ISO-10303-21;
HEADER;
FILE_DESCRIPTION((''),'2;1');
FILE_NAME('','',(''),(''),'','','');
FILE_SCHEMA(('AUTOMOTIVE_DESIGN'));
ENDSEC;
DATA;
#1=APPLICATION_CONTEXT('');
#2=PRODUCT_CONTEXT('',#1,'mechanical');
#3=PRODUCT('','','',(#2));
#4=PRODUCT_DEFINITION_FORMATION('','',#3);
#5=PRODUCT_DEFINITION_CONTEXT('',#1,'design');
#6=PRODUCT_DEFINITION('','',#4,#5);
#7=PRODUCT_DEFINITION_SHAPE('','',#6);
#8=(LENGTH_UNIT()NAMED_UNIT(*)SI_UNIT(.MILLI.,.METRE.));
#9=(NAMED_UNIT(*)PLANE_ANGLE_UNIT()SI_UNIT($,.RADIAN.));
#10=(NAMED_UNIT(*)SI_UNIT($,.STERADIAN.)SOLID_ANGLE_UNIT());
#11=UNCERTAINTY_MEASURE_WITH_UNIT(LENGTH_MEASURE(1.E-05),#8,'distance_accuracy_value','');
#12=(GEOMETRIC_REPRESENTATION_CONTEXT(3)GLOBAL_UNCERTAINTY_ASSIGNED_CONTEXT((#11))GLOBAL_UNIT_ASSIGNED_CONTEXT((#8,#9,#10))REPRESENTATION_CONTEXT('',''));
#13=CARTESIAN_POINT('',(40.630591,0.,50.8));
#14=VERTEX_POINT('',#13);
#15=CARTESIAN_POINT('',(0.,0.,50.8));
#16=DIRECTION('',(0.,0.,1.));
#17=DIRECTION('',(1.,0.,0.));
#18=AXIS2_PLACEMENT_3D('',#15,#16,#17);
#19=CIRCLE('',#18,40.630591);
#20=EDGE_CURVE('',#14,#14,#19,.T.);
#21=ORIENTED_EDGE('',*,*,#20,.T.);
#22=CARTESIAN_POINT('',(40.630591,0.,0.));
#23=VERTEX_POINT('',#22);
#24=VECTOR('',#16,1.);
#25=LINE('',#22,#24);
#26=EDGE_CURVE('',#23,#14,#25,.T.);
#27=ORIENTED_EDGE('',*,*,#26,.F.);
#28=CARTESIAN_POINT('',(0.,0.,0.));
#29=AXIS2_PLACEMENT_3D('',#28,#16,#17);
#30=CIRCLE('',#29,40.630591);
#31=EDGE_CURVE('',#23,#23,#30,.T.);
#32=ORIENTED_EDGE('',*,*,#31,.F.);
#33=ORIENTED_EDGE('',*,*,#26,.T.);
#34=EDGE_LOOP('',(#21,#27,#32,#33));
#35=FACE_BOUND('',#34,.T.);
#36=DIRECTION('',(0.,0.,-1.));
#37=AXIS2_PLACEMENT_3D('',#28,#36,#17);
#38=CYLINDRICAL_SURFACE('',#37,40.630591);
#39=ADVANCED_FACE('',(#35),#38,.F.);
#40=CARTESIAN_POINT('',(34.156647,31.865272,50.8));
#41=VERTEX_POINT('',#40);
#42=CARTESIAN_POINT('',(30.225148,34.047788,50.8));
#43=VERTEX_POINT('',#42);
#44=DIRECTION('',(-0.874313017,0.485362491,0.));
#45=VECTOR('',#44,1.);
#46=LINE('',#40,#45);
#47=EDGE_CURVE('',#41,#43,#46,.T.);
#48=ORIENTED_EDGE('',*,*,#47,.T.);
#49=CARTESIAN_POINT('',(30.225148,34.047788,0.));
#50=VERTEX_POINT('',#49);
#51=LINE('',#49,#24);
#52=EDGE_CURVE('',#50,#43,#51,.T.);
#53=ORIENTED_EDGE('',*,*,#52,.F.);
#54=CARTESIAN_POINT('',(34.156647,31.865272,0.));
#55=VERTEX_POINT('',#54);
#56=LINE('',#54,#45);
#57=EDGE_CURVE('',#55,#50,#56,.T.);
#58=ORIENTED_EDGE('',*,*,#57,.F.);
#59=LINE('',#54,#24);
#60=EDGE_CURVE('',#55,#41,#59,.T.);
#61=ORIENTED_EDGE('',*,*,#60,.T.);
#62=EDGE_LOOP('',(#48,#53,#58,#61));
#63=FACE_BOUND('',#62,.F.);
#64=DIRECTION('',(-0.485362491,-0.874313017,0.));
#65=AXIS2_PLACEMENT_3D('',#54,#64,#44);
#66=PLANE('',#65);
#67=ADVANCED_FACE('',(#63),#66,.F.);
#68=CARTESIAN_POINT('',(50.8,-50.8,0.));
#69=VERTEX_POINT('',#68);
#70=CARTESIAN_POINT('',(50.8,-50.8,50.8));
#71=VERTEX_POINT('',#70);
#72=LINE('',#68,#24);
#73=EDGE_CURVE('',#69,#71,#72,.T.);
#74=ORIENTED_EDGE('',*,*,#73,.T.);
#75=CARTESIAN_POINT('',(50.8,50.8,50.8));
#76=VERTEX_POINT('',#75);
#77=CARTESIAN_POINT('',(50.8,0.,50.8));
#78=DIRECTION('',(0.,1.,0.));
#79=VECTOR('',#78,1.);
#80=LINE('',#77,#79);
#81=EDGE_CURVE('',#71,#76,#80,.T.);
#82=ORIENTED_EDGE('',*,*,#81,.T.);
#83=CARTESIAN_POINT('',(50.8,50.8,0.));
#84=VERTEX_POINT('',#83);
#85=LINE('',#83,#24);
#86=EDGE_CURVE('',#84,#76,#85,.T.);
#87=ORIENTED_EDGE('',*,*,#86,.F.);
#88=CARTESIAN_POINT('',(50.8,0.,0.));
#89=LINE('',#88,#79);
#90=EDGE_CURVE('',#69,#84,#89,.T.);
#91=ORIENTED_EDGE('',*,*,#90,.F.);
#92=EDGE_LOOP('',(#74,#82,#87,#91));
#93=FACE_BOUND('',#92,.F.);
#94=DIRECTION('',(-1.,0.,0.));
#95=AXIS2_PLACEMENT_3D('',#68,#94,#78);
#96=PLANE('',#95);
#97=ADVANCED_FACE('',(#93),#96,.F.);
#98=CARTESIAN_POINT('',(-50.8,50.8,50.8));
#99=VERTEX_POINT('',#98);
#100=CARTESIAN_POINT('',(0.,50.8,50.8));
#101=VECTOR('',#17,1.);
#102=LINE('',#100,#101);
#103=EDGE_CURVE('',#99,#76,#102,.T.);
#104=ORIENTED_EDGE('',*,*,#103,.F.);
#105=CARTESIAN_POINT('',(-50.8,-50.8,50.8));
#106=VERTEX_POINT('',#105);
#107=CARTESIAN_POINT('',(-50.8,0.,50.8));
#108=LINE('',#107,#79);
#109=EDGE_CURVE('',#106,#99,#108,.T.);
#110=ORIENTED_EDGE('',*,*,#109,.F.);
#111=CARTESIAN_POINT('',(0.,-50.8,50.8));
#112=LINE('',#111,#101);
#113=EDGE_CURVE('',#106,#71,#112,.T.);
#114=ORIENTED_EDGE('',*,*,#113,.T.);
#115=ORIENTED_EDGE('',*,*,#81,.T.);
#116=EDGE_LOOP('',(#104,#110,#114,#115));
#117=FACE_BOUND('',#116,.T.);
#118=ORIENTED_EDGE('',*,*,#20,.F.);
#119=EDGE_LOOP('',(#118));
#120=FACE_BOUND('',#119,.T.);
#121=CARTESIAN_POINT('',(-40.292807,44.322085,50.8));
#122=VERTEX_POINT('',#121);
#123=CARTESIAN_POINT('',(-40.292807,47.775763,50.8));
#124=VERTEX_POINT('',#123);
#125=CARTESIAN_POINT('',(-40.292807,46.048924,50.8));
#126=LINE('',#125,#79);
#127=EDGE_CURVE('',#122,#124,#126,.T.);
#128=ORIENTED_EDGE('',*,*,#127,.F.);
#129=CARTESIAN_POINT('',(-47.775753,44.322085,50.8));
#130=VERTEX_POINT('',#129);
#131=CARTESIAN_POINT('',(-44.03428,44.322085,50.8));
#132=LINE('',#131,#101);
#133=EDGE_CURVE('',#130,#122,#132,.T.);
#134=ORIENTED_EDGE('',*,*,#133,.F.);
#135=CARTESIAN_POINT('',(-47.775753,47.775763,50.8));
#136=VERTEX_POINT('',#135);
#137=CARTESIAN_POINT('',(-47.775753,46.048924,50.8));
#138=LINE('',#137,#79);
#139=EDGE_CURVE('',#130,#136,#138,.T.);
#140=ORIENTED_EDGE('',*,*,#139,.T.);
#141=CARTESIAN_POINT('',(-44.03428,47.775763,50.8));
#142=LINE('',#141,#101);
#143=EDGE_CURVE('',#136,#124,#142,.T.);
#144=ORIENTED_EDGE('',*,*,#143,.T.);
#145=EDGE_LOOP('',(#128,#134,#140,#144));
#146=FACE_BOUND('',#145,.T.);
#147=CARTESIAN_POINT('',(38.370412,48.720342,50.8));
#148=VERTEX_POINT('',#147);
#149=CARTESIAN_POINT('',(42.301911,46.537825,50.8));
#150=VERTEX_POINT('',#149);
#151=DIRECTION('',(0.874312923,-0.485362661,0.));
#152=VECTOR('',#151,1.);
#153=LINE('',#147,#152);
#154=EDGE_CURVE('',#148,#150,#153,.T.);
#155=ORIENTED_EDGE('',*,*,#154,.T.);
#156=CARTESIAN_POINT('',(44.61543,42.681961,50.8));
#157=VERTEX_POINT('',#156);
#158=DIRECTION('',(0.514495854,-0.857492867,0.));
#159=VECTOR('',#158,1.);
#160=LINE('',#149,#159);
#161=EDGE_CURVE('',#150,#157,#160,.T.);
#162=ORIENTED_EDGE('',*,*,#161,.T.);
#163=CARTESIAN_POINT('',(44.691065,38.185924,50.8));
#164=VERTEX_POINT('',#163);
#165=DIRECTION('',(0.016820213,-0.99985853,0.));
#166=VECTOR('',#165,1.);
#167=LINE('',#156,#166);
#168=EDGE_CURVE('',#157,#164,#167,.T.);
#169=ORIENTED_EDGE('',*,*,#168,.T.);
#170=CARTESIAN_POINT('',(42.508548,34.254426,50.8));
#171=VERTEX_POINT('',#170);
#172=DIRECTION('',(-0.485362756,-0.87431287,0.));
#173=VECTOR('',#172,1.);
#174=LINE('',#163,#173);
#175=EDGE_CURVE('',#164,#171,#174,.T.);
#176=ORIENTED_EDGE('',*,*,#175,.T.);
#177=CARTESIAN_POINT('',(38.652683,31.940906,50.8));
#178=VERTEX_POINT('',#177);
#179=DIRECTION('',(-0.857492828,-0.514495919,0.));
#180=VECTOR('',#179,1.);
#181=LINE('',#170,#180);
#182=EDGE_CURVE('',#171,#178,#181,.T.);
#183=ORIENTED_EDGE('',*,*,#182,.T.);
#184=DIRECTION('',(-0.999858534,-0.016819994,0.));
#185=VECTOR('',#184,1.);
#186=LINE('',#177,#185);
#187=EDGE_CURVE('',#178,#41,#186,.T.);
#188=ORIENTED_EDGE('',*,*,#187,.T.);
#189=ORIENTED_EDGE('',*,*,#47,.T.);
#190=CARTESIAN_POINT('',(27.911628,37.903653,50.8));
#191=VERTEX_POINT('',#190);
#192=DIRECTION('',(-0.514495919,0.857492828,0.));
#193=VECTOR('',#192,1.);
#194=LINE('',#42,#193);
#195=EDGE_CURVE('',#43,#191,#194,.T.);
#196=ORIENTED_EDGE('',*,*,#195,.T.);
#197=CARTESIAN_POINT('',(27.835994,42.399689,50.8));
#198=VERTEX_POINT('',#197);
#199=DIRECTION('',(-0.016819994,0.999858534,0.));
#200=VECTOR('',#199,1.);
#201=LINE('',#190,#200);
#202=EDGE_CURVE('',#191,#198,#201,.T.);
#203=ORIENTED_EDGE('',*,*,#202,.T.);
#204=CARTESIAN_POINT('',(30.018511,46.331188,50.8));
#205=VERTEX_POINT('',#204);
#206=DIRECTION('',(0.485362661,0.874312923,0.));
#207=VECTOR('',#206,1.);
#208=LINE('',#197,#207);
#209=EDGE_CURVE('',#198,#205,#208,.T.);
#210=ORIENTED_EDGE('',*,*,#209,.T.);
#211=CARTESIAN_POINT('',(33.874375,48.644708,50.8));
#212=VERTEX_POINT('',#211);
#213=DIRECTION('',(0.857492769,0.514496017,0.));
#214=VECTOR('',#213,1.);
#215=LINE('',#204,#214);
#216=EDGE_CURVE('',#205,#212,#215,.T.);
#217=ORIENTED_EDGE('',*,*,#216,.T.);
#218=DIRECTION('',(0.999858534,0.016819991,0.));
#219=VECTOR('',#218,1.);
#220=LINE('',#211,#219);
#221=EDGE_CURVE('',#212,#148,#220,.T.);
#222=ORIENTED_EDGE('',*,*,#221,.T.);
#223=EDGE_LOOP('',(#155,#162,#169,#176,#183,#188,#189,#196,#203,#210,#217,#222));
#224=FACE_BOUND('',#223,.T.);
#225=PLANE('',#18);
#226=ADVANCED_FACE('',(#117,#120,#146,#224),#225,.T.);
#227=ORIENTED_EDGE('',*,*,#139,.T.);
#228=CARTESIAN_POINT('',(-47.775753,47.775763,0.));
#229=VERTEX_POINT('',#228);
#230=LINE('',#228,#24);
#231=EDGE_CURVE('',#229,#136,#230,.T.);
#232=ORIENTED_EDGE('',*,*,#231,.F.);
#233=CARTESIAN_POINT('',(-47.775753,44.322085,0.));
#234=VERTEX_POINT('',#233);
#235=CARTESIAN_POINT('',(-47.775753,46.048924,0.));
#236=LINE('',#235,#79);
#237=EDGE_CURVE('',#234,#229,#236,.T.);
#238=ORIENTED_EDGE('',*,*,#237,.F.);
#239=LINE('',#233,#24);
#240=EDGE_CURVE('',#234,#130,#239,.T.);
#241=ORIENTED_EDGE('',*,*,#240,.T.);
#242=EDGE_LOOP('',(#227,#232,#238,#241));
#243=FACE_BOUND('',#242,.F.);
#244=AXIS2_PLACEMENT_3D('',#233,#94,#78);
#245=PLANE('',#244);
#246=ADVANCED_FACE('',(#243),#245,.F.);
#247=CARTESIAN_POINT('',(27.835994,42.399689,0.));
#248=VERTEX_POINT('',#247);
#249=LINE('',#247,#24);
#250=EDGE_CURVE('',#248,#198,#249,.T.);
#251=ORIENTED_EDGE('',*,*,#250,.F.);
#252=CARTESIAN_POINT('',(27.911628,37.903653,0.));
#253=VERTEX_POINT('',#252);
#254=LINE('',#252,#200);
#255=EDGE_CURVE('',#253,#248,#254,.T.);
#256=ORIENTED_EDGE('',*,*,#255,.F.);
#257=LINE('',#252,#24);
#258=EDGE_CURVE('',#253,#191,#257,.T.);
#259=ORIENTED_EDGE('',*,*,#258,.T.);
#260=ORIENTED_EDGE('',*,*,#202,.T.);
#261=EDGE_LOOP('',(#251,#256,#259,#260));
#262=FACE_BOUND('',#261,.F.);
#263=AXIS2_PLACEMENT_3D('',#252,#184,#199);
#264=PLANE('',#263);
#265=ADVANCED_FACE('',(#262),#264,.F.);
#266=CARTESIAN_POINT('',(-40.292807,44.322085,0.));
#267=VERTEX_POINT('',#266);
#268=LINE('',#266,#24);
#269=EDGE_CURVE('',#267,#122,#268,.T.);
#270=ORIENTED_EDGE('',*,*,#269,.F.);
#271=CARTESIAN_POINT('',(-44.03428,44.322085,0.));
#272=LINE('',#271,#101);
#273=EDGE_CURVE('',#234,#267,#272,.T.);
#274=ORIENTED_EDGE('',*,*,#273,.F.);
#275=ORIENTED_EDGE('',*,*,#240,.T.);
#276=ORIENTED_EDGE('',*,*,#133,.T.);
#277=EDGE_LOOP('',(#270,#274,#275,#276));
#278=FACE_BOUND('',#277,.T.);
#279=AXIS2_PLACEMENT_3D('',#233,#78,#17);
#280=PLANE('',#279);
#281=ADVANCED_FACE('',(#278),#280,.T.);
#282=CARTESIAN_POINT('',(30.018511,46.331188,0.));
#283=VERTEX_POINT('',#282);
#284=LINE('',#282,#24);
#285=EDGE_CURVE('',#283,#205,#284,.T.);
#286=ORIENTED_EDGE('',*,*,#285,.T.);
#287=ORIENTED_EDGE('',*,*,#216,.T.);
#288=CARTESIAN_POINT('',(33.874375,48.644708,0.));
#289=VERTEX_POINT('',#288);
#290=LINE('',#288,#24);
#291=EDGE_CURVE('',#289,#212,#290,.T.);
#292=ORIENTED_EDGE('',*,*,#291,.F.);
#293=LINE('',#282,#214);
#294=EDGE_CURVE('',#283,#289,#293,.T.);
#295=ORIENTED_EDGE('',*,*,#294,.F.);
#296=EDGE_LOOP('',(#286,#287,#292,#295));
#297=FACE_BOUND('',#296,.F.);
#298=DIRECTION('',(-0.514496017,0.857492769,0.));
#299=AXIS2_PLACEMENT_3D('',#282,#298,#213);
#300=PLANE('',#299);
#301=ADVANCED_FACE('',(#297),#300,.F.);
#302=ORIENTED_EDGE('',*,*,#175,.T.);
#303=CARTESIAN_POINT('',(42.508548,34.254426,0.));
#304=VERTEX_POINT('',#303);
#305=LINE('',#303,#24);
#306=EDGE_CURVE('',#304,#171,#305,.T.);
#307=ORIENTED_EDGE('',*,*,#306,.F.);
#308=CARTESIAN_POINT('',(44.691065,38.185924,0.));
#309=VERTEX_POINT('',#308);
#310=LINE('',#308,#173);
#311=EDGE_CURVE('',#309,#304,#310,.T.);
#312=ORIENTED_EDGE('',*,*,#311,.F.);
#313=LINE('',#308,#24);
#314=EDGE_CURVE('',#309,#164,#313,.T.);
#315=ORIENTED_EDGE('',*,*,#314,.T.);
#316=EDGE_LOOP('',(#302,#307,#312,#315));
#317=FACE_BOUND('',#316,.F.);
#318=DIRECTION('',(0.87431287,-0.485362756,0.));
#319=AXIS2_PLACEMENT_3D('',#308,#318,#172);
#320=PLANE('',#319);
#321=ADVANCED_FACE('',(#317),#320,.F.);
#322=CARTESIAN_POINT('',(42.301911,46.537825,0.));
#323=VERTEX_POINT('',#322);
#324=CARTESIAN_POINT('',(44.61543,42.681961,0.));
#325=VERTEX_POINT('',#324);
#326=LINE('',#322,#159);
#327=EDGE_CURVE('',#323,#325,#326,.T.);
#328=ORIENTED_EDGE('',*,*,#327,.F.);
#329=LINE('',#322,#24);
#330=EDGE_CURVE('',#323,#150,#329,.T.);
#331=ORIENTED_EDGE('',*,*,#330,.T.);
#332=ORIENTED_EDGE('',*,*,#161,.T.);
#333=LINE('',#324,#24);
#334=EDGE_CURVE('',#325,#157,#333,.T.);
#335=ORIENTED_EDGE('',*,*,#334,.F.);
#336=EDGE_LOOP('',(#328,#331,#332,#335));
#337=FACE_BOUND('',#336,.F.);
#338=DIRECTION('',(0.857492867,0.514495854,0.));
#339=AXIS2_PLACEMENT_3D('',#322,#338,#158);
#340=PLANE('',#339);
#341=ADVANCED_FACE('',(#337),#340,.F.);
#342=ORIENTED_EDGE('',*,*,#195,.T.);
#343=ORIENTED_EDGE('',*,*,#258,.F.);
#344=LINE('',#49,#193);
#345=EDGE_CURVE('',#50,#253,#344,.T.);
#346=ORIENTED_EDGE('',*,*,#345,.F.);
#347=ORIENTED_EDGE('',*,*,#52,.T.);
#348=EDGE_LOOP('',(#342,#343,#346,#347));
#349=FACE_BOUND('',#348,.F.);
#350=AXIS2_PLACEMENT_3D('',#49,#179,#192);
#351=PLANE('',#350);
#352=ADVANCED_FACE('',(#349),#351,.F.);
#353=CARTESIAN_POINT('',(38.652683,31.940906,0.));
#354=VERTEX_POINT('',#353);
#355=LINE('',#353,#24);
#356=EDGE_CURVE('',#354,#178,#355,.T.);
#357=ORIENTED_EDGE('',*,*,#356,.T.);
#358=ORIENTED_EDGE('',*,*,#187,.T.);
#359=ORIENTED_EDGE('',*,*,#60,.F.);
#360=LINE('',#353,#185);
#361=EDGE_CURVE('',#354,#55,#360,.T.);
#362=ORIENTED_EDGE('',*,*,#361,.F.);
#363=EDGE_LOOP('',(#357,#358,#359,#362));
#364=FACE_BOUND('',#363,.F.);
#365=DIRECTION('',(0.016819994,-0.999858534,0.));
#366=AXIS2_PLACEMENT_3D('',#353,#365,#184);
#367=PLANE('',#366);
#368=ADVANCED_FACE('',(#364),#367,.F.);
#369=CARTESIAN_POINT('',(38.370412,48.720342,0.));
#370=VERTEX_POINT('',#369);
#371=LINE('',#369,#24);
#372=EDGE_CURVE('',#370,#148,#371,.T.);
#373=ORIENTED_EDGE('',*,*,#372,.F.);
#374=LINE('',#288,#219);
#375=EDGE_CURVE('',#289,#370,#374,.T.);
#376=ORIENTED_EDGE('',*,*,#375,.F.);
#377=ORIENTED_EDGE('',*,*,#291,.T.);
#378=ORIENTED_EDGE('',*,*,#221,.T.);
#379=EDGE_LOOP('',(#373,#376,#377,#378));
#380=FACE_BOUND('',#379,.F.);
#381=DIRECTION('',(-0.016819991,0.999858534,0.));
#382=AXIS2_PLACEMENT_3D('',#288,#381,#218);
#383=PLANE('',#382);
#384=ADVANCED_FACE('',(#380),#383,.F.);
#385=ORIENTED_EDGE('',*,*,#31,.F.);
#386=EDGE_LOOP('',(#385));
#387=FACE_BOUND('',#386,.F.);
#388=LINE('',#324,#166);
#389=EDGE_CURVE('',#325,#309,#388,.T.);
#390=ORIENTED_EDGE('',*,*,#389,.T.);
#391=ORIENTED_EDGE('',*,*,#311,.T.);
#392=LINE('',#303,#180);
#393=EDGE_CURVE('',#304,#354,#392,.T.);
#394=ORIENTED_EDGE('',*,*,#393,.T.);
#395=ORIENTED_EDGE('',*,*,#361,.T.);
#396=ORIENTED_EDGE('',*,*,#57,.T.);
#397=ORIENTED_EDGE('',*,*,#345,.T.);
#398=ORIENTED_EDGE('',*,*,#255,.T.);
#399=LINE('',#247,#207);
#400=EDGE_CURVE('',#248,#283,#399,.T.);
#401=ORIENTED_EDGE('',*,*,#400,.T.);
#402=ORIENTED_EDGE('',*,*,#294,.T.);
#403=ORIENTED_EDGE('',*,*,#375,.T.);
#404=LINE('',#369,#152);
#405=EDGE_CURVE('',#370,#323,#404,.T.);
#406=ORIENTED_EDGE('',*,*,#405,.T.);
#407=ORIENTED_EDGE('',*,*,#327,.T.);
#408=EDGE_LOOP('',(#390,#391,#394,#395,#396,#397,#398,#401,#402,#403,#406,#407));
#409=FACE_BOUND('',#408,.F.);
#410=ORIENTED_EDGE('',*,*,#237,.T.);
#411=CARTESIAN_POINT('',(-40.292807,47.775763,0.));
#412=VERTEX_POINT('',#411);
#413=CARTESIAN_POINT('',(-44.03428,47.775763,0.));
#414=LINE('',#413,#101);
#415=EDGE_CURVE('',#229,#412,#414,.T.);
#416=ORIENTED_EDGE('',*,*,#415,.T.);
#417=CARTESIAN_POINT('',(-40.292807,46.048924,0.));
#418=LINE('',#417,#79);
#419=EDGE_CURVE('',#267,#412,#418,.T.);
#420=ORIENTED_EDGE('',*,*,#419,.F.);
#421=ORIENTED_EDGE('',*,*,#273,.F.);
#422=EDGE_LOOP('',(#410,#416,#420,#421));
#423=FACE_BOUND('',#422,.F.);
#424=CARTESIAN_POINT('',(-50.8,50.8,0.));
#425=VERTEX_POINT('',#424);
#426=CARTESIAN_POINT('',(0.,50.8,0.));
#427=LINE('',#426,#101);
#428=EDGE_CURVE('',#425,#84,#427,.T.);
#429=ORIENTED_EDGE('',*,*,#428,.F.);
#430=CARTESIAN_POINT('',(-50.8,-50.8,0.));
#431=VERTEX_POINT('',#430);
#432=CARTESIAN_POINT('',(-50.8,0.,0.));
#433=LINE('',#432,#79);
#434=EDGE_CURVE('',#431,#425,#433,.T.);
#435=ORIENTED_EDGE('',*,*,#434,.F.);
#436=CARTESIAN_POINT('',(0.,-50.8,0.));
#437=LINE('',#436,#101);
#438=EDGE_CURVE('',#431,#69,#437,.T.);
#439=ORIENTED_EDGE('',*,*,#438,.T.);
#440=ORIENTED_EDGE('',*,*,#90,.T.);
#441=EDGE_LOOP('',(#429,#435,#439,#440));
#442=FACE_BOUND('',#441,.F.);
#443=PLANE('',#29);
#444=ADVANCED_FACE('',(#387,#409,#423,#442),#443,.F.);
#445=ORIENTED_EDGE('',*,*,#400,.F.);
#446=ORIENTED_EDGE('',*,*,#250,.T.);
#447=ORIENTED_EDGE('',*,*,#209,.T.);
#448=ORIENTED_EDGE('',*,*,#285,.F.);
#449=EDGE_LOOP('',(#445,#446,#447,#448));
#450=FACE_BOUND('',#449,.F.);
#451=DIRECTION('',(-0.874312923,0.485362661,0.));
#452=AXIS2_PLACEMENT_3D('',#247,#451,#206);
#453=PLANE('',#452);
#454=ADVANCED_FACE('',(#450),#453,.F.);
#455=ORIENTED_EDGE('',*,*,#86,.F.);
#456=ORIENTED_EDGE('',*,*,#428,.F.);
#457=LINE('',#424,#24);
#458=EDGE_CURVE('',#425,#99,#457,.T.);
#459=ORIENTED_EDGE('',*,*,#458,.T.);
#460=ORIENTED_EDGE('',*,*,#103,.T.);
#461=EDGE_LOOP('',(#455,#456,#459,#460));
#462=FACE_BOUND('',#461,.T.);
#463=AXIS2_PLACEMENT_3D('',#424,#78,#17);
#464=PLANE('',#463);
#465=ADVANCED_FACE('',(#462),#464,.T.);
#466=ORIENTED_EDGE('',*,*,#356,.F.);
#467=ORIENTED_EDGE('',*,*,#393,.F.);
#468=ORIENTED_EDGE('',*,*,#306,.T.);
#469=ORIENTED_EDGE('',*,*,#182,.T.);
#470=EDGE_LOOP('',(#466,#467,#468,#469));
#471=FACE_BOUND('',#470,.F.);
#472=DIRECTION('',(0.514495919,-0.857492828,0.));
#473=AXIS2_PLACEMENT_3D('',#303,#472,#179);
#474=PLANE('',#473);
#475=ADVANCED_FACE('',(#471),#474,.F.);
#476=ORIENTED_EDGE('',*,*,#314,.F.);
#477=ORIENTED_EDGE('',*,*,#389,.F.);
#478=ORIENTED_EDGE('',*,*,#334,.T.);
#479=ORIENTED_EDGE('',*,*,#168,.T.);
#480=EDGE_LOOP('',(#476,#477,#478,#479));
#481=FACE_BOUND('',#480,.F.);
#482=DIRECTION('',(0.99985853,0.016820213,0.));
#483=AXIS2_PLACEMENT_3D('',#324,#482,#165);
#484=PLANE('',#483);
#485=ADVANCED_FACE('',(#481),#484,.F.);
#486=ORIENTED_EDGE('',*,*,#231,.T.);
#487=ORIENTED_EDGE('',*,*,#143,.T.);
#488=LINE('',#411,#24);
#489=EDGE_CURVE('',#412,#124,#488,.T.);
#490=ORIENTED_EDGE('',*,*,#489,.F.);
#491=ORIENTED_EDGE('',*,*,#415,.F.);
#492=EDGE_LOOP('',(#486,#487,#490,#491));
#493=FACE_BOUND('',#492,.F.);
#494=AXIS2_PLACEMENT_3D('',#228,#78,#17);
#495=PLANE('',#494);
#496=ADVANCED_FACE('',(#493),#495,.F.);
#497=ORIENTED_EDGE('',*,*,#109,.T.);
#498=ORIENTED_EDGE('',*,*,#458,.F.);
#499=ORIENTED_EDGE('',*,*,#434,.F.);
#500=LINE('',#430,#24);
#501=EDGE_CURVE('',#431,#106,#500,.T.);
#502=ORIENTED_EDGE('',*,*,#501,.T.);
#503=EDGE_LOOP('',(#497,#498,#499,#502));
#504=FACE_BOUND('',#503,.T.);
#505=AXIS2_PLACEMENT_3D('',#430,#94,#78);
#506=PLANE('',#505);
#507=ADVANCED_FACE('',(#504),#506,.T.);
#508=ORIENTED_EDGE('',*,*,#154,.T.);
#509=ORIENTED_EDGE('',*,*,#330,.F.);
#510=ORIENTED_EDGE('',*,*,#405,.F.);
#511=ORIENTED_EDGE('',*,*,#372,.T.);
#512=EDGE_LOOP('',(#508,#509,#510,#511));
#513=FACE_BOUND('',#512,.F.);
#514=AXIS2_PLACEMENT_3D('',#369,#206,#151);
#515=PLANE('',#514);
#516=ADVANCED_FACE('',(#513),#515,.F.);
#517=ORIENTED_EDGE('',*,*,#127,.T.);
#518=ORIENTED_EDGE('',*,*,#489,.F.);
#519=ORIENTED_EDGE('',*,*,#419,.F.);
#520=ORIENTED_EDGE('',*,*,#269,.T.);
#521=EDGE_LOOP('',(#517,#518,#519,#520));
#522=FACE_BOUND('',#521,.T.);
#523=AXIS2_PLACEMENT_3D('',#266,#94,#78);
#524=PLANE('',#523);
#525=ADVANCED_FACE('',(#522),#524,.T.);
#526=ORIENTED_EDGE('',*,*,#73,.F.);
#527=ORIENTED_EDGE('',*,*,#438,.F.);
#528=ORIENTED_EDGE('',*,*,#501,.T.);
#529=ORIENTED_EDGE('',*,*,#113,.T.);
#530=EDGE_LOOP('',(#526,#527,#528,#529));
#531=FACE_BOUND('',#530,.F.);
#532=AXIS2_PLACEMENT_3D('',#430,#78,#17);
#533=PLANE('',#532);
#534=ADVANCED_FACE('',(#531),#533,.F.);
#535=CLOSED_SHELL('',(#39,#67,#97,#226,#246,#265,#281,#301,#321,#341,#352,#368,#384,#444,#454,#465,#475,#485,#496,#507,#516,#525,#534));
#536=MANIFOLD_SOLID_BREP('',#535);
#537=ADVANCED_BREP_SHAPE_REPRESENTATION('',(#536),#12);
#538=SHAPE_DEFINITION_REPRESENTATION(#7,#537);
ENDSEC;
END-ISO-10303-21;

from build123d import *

# Parameters (mm, degrees)
F0_W     = 101.6
F0_H     = 101.6
F0_R     = 40.630591
F0_W_2   = 7.482946
F0_H_2   = 3.453679
F1_DEPTH = 50.8
F2_R     = 7.020446
F3_DEPTH = 25.4


with BuildPart() as f1:
    # F0 (on Top) → F1 (new body)
    with BuildSketch(Plane.XY):
        Rectangle(F0_W, F0_H)
        Circle(F0_R, mode=Mode.SUBTRACT)
        with Locations((-44.03428, 46.048924)):
            Rectangle(F0_W_2, F0_H_2, mode=Mode.SUBTRACT)
        Polygon((38.370412, 48.720342), (42.301911, 46.537825), (44.61543, 42.681961), (44.691065, 38.185924), (42.508548, 34.254426), (38.652683, 31.940906), (34.156647, 31.865272), (30.225148, 34.047788), (27.911628, 37.903653), (27.835994, 42.399689), (30.018511, 46.331188), (33.874375, 48.644708), align=None, mode=Mode.SUBTRACT)
    extrude(amount=F1_DEPTH)

    # F2 (on face) → F3 (join)
    with BuildSketch(Plane.XY.offset(50.8)):
        with Locations((-37.002888, 36.53761)):
            Circle(F2_R)
    extrude(amount=-F3_DEPTH)


solid = f1.part
